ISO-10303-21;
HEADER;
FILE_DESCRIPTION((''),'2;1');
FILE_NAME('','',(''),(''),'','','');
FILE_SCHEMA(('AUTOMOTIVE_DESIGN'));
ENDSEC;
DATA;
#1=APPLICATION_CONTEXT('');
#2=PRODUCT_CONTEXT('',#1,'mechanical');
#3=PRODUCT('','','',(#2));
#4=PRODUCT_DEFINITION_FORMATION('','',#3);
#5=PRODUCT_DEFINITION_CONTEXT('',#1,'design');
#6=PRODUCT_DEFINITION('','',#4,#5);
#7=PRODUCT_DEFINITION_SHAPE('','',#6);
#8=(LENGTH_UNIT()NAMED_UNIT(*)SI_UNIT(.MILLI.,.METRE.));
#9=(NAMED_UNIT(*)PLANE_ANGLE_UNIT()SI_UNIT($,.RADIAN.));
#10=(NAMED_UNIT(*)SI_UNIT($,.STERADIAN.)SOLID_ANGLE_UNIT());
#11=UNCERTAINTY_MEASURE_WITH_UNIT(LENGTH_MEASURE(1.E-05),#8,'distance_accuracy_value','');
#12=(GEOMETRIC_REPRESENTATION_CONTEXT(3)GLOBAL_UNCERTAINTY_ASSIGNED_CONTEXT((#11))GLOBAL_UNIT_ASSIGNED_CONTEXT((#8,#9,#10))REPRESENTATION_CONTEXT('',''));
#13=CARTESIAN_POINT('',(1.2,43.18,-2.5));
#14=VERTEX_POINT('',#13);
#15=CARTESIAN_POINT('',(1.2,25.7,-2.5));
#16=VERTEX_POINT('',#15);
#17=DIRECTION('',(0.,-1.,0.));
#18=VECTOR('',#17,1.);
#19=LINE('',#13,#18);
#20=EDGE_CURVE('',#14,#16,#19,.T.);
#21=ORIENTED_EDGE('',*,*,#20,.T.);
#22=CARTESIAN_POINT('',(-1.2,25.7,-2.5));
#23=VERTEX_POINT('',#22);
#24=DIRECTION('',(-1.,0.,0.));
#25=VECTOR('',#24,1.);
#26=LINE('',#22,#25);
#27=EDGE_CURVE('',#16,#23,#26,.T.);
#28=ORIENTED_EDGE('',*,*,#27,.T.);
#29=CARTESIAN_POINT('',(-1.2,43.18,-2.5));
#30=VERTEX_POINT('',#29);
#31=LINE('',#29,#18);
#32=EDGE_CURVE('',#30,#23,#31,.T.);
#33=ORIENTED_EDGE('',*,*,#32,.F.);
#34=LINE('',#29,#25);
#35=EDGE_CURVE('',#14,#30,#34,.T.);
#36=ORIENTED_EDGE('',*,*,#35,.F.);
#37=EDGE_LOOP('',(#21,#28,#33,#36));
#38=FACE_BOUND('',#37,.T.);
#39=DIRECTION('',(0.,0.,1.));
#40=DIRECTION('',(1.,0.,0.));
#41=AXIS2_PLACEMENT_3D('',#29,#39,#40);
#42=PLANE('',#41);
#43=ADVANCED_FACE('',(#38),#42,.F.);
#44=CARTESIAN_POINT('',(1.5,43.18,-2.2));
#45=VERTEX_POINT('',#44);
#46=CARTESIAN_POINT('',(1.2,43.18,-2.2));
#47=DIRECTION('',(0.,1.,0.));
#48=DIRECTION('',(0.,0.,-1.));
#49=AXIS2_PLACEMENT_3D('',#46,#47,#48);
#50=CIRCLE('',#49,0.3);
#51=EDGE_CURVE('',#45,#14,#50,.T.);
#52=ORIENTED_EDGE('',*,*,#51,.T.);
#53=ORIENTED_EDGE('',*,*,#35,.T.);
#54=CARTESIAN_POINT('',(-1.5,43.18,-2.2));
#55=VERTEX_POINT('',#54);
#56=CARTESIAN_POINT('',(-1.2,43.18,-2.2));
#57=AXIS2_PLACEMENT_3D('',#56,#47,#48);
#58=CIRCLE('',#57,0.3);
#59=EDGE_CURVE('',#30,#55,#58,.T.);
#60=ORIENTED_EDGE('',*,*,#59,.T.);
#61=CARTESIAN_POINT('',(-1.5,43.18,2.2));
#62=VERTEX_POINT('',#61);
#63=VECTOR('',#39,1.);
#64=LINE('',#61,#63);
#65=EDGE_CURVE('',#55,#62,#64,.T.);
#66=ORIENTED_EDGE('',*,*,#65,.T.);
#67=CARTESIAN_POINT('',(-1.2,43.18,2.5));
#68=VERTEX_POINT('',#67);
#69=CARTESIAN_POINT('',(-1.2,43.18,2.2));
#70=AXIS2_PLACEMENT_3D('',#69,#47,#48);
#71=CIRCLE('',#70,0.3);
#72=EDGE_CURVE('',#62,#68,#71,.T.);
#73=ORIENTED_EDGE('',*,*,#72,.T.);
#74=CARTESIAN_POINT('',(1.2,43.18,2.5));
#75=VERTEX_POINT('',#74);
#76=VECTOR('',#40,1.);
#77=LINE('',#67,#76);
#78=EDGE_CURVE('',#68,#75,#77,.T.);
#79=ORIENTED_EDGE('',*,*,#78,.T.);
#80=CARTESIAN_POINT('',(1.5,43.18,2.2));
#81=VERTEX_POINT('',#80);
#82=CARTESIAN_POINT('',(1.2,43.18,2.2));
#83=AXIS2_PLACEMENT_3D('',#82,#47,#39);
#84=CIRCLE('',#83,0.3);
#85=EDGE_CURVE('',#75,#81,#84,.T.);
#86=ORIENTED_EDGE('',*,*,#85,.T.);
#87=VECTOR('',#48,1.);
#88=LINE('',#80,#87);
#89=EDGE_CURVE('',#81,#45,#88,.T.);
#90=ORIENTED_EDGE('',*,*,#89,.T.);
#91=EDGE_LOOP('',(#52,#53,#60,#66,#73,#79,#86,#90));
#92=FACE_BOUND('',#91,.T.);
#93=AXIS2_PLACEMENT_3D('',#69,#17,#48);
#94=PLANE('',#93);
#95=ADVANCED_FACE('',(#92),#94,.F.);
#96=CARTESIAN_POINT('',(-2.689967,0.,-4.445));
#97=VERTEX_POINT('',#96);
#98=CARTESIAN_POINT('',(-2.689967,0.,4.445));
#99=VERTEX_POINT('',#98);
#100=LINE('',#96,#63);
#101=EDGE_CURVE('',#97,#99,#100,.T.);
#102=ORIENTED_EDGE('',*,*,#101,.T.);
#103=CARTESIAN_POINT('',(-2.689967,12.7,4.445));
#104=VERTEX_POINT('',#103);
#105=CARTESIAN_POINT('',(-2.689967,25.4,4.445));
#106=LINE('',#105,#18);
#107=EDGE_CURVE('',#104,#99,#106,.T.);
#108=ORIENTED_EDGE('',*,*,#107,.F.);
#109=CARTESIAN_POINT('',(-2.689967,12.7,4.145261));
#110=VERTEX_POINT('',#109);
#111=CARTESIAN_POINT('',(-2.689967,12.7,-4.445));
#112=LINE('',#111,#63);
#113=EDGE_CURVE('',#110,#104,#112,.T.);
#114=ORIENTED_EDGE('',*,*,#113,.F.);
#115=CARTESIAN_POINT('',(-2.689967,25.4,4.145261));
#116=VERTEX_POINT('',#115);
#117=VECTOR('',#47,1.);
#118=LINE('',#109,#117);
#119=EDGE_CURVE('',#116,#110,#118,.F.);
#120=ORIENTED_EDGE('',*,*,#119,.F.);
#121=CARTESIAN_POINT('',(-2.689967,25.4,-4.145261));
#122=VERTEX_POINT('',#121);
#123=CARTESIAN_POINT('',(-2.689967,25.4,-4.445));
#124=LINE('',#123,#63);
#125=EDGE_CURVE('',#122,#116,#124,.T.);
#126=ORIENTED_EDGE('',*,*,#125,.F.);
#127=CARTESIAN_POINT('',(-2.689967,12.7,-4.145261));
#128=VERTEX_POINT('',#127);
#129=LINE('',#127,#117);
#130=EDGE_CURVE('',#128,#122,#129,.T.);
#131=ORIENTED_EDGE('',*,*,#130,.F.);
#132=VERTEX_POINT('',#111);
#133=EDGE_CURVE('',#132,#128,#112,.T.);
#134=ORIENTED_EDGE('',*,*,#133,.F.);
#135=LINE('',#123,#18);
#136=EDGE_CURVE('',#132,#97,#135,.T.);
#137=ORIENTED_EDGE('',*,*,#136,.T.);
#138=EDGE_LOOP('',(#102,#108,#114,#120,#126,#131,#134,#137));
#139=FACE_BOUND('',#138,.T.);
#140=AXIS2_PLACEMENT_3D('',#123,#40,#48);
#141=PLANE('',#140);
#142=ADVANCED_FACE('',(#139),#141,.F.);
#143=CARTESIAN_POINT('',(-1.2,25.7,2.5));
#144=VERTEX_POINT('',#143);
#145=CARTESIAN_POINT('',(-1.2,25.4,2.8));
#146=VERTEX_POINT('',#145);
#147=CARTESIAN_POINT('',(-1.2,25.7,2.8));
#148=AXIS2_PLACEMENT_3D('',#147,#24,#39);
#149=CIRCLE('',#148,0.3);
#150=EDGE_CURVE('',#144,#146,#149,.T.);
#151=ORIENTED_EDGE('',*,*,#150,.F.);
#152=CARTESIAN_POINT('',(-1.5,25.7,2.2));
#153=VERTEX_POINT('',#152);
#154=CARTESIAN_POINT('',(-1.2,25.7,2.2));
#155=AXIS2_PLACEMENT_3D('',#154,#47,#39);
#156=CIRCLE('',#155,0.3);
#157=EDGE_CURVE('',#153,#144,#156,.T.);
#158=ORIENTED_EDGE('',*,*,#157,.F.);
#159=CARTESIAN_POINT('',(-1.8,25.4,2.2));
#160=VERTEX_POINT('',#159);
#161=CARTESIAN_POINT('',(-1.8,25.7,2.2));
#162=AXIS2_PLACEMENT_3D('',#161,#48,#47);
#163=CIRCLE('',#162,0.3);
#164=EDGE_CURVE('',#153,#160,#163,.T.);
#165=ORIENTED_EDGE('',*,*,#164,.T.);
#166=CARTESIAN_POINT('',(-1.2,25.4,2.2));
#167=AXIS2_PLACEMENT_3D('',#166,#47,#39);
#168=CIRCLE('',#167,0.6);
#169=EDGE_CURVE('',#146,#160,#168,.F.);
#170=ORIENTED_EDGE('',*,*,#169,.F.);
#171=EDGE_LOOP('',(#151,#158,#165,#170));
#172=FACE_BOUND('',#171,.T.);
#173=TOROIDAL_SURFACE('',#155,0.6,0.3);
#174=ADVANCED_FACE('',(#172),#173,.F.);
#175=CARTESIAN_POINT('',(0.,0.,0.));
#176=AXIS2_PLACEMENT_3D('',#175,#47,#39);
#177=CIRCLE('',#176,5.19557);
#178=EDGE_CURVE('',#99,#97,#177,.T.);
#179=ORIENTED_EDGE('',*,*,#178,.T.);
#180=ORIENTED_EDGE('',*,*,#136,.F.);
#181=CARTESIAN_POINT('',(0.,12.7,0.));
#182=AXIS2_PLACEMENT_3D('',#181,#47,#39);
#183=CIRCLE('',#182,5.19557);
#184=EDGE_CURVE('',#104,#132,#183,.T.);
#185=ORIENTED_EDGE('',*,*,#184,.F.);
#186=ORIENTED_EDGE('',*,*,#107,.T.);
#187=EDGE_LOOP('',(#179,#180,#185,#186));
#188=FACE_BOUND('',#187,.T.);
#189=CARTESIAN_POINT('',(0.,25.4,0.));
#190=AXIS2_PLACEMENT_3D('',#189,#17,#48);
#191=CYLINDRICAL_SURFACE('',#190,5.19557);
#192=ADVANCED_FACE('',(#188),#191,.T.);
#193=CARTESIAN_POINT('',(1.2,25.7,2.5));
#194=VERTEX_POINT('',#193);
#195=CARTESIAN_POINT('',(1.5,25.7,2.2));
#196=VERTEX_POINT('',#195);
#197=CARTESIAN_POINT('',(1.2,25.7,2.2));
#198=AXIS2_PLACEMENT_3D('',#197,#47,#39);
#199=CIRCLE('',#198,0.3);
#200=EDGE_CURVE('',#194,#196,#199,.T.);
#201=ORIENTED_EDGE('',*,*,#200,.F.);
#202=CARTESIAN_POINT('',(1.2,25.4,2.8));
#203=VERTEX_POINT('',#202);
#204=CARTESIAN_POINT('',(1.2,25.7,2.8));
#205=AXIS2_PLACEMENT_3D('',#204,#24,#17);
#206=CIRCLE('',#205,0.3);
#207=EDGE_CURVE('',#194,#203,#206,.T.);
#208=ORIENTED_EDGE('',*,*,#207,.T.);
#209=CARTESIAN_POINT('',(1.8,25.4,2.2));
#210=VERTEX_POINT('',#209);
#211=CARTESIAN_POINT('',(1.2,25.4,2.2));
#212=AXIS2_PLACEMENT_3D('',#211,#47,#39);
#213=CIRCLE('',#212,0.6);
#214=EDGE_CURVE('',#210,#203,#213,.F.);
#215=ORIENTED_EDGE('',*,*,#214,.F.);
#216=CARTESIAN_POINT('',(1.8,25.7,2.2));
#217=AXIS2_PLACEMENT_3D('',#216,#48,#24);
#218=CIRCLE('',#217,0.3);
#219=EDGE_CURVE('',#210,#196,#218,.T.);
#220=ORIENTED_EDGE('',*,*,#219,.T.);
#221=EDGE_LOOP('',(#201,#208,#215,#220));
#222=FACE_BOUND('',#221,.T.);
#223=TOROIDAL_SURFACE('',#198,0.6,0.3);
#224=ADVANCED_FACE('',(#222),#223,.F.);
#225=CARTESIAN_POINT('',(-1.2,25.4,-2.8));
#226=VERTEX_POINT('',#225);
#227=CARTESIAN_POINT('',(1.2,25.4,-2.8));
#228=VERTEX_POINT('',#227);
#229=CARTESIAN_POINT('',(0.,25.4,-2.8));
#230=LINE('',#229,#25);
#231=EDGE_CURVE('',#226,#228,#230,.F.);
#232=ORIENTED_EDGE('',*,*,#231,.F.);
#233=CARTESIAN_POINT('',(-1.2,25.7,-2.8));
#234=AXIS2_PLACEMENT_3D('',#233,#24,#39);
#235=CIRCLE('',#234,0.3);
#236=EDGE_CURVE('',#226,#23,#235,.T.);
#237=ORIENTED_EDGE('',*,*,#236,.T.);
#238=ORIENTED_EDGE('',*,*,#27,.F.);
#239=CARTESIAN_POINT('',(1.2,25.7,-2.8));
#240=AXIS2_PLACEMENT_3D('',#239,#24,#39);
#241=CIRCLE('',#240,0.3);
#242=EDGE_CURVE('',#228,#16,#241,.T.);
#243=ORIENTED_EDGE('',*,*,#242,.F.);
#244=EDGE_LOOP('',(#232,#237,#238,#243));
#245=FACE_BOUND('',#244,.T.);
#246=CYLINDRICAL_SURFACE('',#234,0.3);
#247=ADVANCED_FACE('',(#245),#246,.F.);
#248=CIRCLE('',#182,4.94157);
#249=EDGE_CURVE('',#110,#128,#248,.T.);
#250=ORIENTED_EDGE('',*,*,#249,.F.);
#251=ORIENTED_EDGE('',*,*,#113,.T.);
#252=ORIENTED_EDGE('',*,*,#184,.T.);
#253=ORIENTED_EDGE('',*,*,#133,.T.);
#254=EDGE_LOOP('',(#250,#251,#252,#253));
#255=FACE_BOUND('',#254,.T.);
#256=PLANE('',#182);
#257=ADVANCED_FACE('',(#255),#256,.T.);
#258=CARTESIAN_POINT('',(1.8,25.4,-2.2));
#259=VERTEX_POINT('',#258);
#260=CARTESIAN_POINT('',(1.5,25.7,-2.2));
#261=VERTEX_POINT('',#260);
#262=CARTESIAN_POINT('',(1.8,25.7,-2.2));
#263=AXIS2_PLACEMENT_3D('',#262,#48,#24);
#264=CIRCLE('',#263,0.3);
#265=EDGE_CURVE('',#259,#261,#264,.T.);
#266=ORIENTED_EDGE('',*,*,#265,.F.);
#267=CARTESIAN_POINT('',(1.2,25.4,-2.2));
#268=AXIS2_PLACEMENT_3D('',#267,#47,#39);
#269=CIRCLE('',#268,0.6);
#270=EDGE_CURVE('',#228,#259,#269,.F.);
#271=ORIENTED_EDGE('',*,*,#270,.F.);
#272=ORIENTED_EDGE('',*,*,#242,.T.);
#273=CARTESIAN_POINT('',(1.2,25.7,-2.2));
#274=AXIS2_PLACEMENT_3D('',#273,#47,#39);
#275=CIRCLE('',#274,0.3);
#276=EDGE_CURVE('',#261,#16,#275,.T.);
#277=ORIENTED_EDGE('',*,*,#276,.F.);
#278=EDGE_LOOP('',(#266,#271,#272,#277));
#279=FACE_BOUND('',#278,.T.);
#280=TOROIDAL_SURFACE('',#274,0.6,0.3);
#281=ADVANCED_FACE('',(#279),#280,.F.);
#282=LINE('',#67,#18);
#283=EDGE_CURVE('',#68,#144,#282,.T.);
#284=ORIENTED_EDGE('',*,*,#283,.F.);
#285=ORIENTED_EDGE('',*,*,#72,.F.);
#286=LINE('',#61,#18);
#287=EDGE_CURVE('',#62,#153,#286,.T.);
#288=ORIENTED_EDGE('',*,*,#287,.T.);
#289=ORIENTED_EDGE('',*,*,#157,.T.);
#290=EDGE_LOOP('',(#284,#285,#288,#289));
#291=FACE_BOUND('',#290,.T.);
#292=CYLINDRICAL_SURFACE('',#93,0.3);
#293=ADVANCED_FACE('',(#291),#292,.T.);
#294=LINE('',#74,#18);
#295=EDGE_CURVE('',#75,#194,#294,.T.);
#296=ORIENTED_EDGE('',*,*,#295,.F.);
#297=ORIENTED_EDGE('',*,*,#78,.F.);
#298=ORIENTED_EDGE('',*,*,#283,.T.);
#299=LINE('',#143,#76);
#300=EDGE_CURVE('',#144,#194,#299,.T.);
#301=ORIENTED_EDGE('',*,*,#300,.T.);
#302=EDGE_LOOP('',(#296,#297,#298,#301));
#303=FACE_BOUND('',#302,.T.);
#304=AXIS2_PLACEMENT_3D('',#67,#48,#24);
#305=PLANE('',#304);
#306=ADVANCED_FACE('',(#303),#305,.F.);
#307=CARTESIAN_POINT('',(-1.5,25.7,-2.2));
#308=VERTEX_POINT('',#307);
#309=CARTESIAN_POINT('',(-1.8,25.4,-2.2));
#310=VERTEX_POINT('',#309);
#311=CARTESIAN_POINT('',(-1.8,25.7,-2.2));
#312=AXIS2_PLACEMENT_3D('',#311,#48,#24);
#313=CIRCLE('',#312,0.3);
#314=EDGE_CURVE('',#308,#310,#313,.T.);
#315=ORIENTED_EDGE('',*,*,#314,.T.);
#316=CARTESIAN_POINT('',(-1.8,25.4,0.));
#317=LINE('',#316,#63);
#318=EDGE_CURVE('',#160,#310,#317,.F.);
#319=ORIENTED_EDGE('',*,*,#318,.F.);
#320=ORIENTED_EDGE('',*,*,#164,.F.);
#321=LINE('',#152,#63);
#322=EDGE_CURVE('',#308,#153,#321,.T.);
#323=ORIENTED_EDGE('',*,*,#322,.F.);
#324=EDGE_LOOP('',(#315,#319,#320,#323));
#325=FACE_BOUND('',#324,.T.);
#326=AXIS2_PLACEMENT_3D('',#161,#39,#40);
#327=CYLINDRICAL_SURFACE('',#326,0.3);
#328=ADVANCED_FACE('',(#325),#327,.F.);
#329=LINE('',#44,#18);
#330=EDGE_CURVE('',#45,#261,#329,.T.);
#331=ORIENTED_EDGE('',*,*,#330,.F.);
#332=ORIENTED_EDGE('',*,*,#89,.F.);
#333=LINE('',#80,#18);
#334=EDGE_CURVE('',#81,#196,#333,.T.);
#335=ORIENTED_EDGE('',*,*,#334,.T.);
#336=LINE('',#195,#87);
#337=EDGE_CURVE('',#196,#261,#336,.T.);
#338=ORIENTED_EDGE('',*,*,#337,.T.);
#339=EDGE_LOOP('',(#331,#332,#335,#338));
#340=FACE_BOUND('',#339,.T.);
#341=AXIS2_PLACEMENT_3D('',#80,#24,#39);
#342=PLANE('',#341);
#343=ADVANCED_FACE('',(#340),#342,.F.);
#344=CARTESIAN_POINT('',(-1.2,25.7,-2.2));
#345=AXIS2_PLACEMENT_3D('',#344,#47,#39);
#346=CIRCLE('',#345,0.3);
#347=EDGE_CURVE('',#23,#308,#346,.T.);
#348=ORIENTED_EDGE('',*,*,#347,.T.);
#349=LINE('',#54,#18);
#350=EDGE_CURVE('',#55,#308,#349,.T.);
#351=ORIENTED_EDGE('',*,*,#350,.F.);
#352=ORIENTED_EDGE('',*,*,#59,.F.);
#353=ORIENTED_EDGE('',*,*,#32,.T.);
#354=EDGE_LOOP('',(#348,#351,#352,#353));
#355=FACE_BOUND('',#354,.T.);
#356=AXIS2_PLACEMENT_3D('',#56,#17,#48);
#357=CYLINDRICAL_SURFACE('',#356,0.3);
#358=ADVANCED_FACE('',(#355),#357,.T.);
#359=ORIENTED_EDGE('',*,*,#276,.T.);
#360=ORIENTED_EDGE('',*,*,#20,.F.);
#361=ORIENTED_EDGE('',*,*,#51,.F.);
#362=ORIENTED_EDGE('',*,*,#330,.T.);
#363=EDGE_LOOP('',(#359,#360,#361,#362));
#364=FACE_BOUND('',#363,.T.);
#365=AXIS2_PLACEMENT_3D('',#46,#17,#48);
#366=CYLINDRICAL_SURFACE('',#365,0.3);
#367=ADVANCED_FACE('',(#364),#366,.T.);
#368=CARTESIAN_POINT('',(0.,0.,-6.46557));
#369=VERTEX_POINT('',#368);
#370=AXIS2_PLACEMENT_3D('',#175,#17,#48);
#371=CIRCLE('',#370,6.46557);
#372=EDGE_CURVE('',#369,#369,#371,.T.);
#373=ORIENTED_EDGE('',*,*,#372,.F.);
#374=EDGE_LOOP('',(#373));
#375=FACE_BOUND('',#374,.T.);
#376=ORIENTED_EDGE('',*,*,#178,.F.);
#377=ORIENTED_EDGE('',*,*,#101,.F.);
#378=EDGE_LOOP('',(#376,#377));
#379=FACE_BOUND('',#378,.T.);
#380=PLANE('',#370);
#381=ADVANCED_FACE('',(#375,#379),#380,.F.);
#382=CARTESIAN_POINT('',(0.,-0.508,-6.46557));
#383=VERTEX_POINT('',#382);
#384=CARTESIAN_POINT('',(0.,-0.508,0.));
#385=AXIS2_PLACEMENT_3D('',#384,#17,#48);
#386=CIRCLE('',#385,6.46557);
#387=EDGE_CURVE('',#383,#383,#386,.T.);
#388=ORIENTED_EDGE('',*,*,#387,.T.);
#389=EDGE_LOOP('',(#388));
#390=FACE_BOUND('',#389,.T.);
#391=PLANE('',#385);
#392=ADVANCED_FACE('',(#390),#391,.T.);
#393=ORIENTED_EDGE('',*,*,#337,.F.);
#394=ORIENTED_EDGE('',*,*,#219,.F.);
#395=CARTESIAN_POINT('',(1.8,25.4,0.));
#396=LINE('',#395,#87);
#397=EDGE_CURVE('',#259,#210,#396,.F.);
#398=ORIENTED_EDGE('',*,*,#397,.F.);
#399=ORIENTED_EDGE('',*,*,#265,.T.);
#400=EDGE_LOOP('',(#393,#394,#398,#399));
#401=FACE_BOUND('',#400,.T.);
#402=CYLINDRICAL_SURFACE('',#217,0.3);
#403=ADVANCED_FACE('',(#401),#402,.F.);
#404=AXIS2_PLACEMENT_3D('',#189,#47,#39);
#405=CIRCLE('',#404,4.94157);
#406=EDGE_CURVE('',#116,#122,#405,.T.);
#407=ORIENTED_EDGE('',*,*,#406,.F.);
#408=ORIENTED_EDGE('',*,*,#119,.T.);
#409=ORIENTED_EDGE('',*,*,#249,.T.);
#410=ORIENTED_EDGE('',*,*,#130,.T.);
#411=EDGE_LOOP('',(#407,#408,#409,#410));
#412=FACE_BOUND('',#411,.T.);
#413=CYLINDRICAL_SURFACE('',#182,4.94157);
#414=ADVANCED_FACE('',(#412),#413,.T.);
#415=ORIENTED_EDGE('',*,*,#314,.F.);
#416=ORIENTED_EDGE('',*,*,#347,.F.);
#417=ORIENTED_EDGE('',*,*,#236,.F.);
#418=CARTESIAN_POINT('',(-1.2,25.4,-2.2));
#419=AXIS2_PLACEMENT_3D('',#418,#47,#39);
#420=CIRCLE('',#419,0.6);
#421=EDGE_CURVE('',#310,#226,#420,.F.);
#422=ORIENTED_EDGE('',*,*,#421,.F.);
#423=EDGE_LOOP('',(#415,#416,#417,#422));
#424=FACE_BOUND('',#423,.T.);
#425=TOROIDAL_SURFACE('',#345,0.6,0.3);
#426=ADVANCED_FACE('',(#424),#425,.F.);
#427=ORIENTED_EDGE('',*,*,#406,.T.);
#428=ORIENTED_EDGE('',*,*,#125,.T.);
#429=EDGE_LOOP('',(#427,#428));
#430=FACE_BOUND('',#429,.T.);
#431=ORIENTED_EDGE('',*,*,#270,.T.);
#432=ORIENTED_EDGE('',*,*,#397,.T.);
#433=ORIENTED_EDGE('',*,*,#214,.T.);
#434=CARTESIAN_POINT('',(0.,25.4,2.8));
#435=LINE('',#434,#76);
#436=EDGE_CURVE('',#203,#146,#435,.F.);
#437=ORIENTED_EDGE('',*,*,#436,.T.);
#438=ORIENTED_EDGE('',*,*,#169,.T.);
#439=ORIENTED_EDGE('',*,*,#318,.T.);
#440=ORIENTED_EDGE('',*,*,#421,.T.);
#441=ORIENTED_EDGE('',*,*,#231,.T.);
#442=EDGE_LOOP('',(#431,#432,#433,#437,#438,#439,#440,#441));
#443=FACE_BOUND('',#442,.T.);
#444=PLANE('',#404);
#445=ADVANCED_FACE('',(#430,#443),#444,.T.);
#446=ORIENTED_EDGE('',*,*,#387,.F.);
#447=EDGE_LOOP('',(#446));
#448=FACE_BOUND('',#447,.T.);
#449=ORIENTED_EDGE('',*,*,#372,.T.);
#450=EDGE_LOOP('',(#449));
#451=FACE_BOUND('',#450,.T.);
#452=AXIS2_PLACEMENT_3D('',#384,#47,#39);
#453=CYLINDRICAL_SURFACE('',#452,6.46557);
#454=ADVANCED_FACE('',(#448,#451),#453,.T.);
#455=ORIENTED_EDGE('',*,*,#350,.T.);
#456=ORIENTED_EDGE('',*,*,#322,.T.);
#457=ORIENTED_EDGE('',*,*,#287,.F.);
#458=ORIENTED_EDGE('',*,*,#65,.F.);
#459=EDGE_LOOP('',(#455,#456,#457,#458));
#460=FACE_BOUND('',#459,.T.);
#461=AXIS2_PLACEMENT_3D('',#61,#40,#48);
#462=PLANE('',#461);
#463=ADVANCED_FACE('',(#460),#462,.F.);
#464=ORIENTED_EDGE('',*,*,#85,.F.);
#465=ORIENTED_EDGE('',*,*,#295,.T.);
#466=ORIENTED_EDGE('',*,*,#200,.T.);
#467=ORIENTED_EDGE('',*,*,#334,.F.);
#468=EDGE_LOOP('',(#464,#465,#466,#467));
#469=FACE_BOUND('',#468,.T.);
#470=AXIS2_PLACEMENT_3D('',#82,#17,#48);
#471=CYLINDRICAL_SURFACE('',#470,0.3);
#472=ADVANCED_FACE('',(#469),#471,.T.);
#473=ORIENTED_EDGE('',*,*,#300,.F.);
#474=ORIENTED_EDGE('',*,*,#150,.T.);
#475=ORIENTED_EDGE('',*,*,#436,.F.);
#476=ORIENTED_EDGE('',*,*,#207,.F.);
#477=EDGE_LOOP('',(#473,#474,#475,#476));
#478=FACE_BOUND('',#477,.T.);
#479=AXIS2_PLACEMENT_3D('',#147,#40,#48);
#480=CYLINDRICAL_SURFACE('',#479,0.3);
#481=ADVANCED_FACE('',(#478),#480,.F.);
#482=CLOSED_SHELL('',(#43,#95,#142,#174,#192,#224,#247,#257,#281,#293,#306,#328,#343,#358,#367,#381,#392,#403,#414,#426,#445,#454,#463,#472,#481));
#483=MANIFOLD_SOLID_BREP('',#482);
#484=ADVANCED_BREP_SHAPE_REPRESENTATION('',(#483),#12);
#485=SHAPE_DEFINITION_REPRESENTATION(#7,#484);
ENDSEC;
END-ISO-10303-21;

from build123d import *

# Parameters (mm, degrees)
BOSS_EXTRUDE1_DEPTH = 25.4
BOSS_EXTRUDE2_DEPTH = 17.78
FILLET1_R           = 0.3
SKETCH3_R           = 6.46557
BOSS_EXTRUDE3_DEPTH = 0.508
SKETCH4_OUTSIDE_W   = 24.404
SKETCH4_OUTSIDE_H   = 24.404
SKETCH4_OUTSIDE_R   = 4.94157
CUT_EXTRUDE1_DEPTH  = 12.7


with BuildPart() as part:
    # Sketch1 → Boss-Extrude1 (new body)
    with BuildSketch(Plane(origin=(0, 0, 0), x_dir=(1, 0, 0), z_dir=(0, 1, 0))):
        with BuildLine():
            Line((-2.68996703, 4.445), (-2.68996703, -4.445))
            ThreePointArc((-2.68996703, -4.445), (5.19557, 0), (-2.68996703, 4.445))
        make_face()
    extrude(amount=BOSS_EXTRUDE1_DEPTH)

    # Sketch2 → Boss-Extrude2 (add)
    with BuildSketch(Plane(origin=(0, 25.4, 0), x_dir=(1, 0, 0), z_dir=(0, 1, 0))):
        with BuildLine():
            Line((-1.2, -2.5), (1.2, -2.5))
            ThreePointArc((1.2, -2.5), (1.412132034, -2.412132034), (1.5, -2.2))
            Line((1.5, -2.2), (1.5, 2.2))
            ThreePointArc((1.5, 2.2), (1.412132034, 2.412132034), (1.2, 2.5))
            Line((1.2, 2.5), (-1.2, 2.5))
            ThreePointArc((-1.2, 2.5), (-1.412132034, 2.412132034), (-1.5, 2.2))
            Line((-1.5, 2.2), (-1.5, -2.2))
            ThreePointArc((-1.5, -2.2), (-1.412132034, -2.412132034), (-1.2, -2.5))
        make_face()
    extrude(amount=BOSS_EXTRUDE2_DEPTH)

    # Fillet1
    fillet1_edges = [part.edges().sort_by_distance(p)[0] for p in [
        (-1.412132034, 25.4, 2.412132034),
        (0, 25.4, 2.5),
        (1.412132034, 25.4, 2.412132034),
        (1.5, 25.4, 0),
        (1.412132034, 25.4, -2.412132034),
        (0, 25.4, -2.5),
        (-1.412132034, 25.4, -2.412132034),
        (-1.5, 25.4, 0),
    ]]
    fillet(fillet1_edges, radius=FILLET1_R)

    # Sketch3 → Boss-Extrude3 (add)
    with BuildSketch(Plane.XZ):
        Circle(SKETCH3_R)
    extrude(amount=BOSS_EXTRUDE3_DEPTH)

    # Sketch4 outside → Cut-Extrude1 (cut)
    with BuildSketch(Plane(origin=(0, 25.4, 0), x_dir=(1, 0, 0), z_dir=(0, 1, 0))):
        Rectangle(SKETCH4_OUTSIDE_W, SKETCH4_OUTSIDE_H)
        Circle(SKETCH4_OUTSIDE_R, mode=Mode.SUBTRACT)
    extrude(amount=-CUT_EXTRUDE1_DEPTH, mode=Mode.SUBTRACT)


solid = part.part
